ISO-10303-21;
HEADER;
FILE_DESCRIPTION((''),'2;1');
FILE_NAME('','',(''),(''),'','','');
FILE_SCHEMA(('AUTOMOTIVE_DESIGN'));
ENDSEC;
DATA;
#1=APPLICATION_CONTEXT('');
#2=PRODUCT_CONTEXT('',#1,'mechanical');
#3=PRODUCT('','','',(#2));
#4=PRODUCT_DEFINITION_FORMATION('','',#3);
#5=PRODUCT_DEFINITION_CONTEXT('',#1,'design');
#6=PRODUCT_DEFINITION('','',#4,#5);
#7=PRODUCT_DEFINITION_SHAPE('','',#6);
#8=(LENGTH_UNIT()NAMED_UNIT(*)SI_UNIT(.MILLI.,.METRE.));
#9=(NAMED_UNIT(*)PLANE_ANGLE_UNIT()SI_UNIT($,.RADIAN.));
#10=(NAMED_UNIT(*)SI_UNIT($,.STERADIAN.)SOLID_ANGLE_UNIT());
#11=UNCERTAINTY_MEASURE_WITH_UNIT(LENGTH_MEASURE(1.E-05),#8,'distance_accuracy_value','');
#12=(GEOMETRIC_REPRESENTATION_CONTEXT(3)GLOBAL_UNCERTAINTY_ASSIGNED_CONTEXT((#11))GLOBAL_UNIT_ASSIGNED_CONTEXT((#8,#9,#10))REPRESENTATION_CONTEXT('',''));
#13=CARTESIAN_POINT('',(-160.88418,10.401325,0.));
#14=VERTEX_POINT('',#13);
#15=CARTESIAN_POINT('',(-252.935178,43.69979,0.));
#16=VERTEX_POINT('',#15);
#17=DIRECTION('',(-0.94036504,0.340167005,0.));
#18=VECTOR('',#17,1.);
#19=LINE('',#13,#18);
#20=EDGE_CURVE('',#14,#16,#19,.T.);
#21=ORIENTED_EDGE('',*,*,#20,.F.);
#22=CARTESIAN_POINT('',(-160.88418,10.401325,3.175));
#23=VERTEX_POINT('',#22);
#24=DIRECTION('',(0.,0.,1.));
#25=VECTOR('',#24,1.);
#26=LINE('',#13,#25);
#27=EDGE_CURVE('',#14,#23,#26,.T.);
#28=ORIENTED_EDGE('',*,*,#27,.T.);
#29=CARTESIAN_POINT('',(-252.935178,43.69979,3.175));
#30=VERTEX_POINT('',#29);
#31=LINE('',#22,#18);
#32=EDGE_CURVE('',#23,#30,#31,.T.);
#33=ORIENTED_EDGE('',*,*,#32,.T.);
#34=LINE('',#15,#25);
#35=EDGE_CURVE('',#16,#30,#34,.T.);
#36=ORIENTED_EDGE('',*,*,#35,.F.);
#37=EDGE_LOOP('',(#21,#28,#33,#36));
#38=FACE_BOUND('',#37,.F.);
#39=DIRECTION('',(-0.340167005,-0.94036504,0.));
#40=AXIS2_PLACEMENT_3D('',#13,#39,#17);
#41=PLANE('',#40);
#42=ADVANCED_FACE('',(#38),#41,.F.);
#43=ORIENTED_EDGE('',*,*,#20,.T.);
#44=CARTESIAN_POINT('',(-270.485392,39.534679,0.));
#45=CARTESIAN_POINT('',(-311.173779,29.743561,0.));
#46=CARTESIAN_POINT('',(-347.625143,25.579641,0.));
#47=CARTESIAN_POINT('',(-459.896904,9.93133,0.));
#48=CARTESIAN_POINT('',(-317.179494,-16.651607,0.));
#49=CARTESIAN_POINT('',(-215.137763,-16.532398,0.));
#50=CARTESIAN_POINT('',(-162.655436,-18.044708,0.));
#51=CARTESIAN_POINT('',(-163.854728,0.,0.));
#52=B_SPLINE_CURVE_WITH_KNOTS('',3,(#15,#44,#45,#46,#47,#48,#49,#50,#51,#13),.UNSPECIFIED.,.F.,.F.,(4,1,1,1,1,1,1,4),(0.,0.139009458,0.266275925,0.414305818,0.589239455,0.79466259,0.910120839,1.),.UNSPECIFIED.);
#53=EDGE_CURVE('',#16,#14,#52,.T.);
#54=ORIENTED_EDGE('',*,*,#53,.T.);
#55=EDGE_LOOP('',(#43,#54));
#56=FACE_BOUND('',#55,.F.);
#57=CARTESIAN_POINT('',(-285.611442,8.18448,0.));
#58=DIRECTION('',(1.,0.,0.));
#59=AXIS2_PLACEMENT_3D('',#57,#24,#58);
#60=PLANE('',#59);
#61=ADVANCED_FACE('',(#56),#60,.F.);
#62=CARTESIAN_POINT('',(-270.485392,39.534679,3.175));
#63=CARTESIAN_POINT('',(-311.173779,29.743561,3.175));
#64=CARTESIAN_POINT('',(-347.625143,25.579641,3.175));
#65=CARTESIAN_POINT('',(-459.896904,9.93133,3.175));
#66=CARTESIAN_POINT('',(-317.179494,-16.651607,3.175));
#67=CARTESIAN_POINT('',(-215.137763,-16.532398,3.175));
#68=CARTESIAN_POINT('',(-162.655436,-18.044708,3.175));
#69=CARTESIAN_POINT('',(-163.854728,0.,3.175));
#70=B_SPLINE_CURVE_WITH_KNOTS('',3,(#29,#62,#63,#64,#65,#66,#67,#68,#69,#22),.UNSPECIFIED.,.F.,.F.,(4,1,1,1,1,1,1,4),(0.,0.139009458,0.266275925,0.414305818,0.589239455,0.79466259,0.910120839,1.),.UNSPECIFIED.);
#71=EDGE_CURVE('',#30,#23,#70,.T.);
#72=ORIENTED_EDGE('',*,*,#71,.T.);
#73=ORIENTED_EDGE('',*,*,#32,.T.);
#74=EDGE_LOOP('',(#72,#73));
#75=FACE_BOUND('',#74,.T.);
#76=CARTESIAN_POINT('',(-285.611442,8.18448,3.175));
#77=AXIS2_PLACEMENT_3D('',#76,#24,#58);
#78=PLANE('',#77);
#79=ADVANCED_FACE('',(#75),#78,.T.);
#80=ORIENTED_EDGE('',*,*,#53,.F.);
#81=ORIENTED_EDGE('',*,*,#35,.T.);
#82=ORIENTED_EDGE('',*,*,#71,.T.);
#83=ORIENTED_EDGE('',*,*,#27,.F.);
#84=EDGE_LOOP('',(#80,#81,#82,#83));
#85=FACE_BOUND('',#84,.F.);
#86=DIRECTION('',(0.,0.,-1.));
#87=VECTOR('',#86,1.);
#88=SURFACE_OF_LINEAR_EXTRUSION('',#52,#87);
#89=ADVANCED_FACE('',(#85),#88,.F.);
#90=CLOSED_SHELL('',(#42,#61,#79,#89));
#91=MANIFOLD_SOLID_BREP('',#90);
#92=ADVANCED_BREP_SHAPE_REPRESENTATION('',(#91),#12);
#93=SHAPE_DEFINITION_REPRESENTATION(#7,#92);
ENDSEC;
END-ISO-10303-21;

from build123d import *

# Parameters (mm, degrees)
F1_DEPTH = 3.175


with BuildPart() as f1:
    # F0 (on Top) → F1 (new body)
    with BuildSketch(Plane.XY):
        with BuildLine():
            Line((-160.8841803513, 10.4013246693), (-252.9351783305, 43.699789573))
            add(Edge.make_bspline(
                [(-252.9351783305, 43.699789573), (-270.4853922968, 39.5346791043), (-311.1737787915, 29.7435609945), (-347.6251433661, 25.5796412884), (-459.8969041065, 9.9313302662), (-317.1794935262, -16.6516072256), (-215.1377634135, -16.5323981115), (-162.6554363316, -18.0447084856), (-163.8547279425, 0), (-160.8841803513, 10.4013246693)],
                knots=[0, 0, 0, 0, 0.1390094577, 0.2662759252, 0.4143058176, 0.5892394548, 0.7946625904, 0.9101208391, 1, 1, 1, 1], degree=3))
        make_face()
    extrude(amount=F1_DEPTH)


solid = f1.part
